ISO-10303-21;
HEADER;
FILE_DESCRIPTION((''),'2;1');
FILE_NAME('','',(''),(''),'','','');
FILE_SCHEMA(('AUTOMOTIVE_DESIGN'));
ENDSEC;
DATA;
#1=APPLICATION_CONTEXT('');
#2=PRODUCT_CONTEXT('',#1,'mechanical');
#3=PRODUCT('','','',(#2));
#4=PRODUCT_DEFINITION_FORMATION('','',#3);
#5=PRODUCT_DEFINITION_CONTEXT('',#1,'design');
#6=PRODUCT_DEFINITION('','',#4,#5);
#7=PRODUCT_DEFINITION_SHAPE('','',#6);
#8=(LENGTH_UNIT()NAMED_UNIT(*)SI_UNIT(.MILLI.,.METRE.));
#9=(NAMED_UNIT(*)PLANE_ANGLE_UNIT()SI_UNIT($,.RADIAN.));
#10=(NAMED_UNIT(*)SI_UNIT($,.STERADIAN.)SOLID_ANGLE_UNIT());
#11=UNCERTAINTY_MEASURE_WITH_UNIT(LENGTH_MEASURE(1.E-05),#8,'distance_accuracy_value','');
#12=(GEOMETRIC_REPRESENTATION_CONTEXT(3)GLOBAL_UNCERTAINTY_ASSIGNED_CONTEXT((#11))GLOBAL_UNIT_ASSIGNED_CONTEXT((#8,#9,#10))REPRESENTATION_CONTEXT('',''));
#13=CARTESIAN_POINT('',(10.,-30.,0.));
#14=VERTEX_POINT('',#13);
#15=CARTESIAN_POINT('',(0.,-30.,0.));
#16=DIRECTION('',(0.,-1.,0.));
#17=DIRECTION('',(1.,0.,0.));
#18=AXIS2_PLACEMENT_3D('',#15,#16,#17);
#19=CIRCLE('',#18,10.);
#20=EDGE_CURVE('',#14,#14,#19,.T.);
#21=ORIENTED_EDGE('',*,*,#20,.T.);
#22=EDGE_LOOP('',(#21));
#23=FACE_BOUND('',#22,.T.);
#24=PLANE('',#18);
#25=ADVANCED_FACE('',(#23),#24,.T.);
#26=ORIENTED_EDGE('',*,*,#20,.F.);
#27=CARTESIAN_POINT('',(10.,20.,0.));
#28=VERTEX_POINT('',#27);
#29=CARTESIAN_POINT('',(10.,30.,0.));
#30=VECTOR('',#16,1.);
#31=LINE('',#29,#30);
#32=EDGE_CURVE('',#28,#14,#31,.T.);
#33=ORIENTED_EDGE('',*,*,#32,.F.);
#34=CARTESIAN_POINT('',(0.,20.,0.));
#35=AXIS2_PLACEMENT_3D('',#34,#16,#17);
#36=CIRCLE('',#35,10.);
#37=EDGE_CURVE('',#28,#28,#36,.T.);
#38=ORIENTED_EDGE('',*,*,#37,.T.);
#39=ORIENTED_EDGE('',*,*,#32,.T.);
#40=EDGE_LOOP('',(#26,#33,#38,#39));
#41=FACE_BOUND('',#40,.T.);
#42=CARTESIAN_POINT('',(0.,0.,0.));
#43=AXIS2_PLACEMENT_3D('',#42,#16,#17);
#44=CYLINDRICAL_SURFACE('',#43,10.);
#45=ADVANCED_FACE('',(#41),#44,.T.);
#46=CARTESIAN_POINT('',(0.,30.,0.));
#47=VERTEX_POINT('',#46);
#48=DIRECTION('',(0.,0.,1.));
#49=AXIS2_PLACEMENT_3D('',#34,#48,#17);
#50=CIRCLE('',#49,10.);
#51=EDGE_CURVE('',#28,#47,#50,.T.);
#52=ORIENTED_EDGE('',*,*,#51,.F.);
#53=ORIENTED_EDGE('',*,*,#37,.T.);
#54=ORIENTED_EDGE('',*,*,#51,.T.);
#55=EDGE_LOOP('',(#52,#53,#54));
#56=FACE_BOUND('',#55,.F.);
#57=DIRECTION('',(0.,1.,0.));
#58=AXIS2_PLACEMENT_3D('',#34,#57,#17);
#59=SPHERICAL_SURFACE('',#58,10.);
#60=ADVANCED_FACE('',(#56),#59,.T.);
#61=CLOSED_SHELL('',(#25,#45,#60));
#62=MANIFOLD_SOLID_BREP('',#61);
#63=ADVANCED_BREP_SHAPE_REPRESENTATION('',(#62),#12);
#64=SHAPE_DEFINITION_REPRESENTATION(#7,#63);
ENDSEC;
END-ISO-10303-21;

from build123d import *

# Parameters (mm, degrees)
F0_R     = 10
F1_DEPTH = 30
F2_R     = 10


with BuildPart() as f1:
    # F0 (on Front) → F1 (new body, symmetric)
    with BuildSketch(Plane.XZ):
        Circle(F0_R)
    extrude(amount=F1_DEPTH, both=True)

    # F2
    f2_edges = [f1.edges().sort_by_distance(p)[0] for p in [
        (-10, 30, 0),
    ]]
    fillet(f2_edges, radius=F2_R)


solid = f1.part
